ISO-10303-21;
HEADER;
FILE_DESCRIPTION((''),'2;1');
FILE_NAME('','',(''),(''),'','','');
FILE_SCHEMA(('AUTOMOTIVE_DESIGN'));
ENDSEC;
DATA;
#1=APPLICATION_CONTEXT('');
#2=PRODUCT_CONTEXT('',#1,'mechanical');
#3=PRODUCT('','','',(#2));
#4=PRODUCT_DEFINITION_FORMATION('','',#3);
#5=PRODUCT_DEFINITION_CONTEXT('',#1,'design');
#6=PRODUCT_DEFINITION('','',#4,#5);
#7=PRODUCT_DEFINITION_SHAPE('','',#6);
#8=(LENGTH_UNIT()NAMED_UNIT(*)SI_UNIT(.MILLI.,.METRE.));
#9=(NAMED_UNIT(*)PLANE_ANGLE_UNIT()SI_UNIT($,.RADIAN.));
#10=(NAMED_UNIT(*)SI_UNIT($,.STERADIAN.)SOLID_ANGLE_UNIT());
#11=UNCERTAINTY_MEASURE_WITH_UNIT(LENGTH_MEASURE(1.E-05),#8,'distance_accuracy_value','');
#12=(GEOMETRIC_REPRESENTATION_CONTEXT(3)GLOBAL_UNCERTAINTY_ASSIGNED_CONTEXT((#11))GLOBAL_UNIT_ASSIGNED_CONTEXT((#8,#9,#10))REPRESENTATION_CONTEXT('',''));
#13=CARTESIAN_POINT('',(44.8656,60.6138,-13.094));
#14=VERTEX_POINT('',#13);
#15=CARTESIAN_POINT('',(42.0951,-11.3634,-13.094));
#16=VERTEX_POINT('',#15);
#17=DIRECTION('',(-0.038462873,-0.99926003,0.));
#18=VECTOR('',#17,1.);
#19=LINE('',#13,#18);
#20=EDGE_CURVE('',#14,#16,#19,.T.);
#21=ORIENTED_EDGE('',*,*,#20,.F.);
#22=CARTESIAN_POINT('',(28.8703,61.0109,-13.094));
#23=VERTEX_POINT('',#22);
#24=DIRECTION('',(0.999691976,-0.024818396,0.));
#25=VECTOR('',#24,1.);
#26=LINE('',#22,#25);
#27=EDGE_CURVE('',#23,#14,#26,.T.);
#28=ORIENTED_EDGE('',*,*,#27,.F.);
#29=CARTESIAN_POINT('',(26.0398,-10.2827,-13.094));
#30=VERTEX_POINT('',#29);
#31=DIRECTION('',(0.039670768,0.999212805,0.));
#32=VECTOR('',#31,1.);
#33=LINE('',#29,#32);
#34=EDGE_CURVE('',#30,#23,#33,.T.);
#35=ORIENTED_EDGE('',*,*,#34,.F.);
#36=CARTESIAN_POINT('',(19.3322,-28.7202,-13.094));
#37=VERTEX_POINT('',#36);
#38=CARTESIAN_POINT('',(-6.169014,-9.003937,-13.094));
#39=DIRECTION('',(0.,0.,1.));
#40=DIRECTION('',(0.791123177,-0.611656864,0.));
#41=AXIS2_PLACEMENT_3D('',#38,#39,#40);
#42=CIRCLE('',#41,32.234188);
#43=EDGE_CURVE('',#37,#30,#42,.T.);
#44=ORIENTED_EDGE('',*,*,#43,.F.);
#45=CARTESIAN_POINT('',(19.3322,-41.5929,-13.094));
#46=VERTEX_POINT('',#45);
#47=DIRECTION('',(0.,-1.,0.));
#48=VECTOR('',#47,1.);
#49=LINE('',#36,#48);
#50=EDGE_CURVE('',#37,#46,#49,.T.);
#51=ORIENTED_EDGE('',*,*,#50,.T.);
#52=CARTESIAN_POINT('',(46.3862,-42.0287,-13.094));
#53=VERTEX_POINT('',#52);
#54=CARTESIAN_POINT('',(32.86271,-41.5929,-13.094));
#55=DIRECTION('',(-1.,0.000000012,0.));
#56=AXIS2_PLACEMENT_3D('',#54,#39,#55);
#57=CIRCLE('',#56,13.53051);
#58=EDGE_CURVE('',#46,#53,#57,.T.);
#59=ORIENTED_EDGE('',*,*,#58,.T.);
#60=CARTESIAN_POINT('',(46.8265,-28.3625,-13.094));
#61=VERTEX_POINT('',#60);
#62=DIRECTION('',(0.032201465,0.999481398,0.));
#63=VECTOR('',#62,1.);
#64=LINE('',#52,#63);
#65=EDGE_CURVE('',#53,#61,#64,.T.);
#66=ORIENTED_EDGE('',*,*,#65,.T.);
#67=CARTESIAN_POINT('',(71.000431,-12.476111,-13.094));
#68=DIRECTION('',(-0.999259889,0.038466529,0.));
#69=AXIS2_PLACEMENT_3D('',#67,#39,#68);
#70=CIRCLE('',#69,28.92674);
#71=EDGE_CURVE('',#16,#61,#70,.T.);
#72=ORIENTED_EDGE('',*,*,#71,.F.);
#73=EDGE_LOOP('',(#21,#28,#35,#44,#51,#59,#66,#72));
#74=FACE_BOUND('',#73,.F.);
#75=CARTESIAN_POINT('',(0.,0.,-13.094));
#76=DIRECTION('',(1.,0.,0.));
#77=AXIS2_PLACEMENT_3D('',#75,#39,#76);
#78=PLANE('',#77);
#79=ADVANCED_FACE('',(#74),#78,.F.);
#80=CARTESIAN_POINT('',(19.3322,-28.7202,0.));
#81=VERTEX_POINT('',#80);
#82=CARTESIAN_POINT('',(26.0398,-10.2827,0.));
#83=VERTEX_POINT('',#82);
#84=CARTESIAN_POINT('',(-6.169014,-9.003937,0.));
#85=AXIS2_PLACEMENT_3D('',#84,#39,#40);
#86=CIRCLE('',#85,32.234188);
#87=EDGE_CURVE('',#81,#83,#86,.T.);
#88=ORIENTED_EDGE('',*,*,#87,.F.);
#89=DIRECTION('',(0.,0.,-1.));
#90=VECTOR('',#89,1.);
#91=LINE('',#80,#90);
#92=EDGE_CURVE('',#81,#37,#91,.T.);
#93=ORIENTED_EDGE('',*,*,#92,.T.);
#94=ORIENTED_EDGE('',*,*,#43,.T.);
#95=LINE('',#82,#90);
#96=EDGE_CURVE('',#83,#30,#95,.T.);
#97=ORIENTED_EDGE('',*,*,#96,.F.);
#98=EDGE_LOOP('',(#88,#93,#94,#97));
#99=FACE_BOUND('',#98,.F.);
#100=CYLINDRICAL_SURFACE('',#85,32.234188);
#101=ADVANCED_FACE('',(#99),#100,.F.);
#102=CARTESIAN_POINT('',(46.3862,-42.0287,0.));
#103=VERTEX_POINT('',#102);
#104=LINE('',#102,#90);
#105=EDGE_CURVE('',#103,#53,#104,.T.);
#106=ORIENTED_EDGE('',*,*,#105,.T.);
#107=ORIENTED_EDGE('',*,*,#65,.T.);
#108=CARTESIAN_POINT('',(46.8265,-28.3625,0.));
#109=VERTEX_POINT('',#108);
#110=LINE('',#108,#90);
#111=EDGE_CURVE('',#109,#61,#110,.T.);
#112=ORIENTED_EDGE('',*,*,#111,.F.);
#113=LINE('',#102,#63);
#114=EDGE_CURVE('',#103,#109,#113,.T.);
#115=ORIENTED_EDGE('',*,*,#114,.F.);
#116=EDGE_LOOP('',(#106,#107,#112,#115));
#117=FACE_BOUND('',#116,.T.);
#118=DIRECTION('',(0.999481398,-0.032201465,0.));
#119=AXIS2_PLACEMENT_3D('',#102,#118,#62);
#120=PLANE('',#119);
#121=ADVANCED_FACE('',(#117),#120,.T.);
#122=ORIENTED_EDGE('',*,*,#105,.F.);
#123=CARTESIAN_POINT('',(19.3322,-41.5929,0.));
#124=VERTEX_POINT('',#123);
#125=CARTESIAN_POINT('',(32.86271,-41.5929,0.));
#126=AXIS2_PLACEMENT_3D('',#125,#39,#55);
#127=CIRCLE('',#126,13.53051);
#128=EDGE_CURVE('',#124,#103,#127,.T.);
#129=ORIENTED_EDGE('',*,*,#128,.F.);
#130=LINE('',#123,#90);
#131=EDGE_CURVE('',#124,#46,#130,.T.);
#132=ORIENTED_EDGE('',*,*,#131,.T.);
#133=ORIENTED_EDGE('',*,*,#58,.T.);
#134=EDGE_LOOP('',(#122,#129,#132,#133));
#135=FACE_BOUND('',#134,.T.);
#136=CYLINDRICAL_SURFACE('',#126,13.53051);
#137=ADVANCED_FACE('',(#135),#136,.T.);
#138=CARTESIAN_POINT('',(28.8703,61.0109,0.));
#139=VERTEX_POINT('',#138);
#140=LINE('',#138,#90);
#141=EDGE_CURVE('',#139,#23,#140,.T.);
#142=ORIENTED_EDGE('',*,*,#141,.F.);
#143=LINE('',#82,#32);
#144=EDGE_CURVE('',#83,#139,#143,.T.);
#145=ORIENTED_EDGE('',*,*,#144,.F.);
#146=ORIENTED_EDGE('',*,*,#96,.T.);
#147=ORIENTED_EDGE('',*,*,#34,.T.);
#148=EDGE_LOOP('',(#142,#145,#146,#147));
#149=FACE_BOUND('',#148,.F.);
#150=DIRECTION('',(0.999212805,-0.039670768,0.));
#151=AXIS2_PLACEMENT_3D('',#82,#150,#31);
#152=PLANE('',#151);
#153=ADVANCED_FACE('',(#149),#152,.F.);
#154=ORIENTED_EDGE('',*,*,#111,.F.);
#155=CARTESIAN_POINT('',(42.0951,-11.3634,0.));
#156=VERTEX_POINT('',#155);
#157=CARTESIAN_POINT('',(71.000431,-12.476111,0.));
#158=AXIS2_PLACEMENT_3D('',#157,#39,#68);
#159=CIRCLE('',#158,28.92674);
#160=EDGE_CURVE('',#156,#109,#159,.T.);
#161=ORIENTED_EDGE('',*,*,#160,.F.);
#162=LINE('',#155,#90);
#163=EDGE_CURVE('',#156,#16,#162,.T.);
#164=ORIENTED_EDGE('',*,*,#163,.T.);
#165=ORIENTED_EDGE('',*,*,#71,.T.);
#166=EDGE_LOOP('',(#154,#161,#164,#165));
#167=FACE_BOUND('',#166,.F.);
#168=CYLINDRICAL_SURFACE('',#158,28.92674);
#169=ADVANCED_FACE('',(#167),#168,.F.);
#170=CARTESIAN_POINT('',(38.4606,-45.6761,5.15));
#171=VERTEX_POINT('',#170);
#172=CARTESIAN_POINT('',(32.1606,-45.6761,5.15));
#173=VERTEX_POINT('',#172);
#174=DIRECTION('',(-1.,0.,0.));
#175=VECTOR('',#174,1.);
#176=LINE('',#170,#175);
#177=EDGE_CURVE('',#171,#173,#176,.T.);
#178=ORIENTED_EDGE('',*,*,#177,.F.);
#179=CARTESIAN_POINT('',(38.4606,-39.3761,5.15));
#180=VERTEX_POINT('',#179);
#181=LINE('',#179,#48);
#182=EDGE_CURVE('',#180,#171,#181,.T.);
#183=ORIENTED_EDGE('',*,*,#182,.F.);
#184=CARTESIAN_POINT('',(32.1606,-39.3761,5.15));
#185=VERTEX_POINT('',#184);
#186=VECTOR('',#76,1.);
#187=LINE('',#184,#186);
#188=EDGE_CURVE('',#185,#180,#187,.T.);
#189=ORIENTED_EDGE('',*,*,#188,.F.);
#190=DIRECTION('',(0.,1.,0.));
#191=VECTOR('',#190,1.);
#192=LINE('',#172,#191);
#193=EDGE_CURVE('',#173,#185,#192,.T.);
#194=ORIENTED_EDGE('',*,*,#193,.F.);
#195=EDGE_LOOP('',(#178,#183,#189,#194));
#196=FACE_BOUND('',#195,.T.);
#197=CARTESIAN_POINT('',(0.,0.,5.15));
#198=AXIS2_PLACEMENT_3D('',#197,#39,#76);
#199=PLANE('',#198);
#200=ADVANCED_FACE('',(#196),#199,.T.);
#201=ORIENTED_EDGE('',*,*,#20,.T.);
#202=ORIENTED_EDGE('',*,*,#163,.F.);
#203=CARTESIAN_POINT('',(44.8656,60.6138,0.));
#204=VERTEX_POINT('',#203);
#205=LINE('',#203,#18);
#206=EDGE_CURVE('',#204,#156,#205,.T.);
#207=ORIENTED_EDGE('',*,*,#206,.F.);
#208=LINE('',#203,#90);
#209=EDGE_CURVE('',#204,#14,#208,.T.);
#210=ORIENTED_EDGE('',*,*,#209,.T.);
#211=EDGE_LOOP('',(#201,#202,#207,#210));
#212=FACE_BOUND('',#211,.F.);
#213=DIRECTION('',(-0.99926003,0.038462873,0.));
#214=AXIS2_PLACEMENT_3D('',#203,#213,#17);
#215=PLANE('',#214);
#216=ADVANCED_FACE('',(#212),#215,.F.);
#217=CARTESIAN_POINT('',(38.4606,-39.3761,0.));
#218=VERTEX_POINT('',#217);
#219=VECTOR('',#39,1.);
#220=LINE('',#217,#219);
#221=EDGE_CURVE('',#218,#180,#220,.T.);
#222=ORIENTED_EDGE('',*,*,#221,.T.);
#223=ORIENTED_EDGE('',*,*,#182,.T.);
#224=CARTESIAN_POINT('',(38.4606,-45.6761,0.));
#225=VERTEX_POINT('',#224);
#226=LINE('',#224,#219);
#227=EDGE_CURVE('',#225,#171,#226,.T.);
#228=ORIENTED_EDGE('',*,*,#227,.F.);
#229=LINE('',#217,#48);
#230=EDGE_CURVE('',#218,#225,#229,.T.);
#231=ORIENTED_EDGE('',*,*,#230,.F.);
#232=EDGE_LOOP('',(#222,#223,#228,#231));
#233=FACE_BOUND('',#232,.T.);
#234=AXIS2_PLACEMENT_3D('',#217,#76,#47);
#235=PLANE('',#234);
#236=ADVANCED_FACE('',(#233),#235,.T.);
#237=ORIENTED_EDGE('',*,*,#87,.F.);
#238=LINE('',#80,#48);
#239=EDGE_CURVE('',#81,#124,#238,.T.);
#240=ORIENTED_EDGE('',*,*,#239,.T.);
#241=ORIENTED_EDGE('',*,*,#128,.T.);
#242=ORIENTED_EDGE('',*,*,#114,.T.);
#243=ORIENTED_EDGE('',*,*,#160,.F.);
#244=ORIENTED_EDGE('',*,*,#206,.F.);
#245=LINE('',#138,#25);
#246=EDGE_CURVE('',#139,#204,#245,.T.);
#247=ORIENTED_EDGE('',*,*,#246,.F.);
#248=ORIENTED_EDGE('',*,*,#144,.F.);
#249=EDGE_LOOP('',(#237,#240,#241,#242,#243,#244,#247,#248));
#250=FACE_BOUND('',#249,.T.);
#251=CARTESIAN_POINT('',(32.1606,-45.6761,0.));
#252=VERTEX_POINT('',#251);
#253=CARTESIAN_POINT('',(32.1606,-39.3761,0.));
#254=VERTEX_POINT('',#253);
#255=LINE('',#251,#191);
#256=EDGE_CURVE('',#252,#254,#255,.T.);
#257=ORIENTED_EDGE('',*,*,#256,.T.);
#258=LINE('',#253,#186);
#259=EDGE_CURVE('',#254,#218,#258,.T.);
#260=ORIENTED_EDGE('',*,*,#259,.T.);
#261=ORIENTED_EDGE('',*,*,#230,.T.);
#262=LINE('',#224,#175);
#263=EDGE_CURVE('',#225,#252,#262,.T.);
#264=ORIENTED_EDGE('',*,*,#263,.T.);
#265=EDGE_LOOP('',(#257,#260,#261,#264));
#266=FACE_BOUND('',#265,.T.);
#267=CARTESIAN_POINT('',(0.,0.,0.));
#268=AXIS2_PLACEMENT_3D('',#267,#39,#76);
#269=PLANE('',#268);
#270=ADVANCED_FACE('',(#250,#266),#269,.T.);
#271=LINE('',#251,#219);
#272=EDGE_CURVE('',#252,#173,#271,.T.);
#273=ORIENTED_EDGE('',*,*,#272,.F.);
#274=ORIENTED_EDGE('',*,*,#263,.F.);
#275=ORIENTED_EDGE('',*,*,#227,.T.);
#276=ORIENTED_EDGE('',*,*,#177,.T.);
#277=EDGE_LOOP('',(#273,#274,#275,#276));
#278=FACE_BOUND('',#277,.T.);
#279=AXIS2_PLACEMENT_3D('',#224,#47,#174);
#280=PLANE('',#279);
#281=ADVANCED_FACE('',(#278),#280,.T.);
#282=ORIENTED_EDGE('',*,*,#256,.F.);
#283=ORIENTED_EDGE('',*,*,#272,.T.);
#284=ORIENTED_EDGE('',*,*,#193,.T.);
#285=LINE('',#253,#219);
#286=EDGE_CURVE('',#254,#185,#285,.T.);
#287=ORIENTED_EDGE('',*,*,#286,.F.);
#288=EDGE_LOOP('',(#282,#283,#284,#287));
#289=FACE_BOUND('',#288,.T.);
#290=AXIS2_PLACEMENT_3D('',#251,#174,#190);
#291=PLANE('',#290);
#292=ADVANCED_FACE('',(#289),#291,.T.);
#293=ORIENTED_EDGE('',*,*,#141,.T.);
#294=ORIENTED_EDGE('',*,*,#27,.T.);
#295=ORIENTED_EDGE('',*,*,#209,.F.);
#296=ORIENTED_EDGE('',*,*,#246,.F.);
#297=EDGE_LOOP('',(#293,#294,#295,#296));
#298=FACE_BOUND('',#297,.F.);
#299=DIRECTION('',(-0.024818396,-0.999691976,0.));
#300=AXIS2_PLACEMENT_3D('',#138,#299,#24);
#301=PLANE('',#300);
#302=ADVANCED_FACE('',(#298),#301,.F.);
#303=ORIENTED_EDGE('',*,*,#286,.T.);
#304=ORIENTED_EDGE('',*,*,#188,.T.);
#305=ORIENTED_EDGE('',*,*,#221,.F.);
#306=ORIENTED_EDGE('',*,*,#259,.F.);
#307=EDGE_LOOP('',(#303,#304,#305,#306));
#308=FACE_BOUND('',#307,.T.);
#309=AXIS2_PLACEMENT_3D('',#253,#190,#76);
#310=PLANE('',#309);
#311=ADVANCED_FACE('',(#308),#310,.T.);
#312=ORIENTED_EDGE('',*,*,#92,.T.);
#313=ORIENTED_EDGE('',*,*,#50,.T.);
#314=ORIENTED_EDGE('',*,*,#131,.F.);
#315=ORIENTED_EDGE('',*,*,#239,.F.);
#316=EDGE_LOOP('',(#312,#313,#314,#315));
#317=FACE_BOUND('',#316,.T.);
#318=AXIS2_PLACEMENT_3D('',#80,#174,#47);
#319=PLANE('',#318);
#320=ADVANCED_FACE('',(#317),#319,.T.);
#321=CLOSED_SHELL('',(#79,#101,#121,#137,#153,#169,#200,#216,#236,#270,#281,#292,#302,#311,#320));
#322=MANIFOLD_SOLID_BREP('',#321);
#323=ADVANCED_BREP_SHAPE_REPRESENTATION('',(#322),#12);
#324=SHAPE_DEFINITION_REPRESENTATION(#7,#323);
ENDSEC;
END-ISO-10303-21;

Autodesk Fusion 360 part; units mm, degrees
sketch "Sketch1" plane through (0, 0, 0) normal (0, 0, 1) x (1, 0, 0)
  line L0 (26.0398, -10.2827) -> (28.8703, 61.0109)
  line L1 (28.8703, 61.0109) -> (44.8656, 60.6138)
  line L2 (44.8656, 60.6138) -> (42.0951, -11.3634)
  arc A0 (42.0951, -11.3634) -> (46.8265, -28.3625) centre (71.0004, -12.476) ccw
  arc A1 (19.3322, -28.7202) -> (26.0398, -10.2827) centre (-6.169, -9.0039) ccw
  line L3 (19.3322, -28.7202) -> (19.3322, -41.5929)
  arc A2 (19.3322, -41.5929) -> (46.3862, -42.0287) centre (32.8627, -41.5929) ccw
  line L4 (46.3862, -42.0287) -> (46.8265, -28.3625)
  line L5 (32.1606, -39.3761) -> (38.4606, -39.3761)
  line L6 (38.4606, -39.3761) -> (38.4606, -45.6761)
  line L7 (38.4606, -45.6761) -> (32.1606, -45.6761)
  line L8 (32.1606, -45.6761) -> (32.1606, -39.3761)
  line L9 (38.4606, -39.3761) -> (32.1606, -45.6761) construction
  line L10 (32.1606, -39.3761) -> (38.4606, -45.6761) construction
  point P0 (35.3106, -42.5261)
  dimension "d2" = 6.3
  dimension "d3" = 6.3
extrude "Extrude1" add sketch "Sketch1" against normal blind 13.094 contours L0 L1 L2 A0 A1 L3 A2 L4 | L5 L6 L7 L8
extrude "Extrude2" add sketch "Sketch1" along normal blind 5.15 contours L5 L6 L7 L8
equation "d3 = d2"
